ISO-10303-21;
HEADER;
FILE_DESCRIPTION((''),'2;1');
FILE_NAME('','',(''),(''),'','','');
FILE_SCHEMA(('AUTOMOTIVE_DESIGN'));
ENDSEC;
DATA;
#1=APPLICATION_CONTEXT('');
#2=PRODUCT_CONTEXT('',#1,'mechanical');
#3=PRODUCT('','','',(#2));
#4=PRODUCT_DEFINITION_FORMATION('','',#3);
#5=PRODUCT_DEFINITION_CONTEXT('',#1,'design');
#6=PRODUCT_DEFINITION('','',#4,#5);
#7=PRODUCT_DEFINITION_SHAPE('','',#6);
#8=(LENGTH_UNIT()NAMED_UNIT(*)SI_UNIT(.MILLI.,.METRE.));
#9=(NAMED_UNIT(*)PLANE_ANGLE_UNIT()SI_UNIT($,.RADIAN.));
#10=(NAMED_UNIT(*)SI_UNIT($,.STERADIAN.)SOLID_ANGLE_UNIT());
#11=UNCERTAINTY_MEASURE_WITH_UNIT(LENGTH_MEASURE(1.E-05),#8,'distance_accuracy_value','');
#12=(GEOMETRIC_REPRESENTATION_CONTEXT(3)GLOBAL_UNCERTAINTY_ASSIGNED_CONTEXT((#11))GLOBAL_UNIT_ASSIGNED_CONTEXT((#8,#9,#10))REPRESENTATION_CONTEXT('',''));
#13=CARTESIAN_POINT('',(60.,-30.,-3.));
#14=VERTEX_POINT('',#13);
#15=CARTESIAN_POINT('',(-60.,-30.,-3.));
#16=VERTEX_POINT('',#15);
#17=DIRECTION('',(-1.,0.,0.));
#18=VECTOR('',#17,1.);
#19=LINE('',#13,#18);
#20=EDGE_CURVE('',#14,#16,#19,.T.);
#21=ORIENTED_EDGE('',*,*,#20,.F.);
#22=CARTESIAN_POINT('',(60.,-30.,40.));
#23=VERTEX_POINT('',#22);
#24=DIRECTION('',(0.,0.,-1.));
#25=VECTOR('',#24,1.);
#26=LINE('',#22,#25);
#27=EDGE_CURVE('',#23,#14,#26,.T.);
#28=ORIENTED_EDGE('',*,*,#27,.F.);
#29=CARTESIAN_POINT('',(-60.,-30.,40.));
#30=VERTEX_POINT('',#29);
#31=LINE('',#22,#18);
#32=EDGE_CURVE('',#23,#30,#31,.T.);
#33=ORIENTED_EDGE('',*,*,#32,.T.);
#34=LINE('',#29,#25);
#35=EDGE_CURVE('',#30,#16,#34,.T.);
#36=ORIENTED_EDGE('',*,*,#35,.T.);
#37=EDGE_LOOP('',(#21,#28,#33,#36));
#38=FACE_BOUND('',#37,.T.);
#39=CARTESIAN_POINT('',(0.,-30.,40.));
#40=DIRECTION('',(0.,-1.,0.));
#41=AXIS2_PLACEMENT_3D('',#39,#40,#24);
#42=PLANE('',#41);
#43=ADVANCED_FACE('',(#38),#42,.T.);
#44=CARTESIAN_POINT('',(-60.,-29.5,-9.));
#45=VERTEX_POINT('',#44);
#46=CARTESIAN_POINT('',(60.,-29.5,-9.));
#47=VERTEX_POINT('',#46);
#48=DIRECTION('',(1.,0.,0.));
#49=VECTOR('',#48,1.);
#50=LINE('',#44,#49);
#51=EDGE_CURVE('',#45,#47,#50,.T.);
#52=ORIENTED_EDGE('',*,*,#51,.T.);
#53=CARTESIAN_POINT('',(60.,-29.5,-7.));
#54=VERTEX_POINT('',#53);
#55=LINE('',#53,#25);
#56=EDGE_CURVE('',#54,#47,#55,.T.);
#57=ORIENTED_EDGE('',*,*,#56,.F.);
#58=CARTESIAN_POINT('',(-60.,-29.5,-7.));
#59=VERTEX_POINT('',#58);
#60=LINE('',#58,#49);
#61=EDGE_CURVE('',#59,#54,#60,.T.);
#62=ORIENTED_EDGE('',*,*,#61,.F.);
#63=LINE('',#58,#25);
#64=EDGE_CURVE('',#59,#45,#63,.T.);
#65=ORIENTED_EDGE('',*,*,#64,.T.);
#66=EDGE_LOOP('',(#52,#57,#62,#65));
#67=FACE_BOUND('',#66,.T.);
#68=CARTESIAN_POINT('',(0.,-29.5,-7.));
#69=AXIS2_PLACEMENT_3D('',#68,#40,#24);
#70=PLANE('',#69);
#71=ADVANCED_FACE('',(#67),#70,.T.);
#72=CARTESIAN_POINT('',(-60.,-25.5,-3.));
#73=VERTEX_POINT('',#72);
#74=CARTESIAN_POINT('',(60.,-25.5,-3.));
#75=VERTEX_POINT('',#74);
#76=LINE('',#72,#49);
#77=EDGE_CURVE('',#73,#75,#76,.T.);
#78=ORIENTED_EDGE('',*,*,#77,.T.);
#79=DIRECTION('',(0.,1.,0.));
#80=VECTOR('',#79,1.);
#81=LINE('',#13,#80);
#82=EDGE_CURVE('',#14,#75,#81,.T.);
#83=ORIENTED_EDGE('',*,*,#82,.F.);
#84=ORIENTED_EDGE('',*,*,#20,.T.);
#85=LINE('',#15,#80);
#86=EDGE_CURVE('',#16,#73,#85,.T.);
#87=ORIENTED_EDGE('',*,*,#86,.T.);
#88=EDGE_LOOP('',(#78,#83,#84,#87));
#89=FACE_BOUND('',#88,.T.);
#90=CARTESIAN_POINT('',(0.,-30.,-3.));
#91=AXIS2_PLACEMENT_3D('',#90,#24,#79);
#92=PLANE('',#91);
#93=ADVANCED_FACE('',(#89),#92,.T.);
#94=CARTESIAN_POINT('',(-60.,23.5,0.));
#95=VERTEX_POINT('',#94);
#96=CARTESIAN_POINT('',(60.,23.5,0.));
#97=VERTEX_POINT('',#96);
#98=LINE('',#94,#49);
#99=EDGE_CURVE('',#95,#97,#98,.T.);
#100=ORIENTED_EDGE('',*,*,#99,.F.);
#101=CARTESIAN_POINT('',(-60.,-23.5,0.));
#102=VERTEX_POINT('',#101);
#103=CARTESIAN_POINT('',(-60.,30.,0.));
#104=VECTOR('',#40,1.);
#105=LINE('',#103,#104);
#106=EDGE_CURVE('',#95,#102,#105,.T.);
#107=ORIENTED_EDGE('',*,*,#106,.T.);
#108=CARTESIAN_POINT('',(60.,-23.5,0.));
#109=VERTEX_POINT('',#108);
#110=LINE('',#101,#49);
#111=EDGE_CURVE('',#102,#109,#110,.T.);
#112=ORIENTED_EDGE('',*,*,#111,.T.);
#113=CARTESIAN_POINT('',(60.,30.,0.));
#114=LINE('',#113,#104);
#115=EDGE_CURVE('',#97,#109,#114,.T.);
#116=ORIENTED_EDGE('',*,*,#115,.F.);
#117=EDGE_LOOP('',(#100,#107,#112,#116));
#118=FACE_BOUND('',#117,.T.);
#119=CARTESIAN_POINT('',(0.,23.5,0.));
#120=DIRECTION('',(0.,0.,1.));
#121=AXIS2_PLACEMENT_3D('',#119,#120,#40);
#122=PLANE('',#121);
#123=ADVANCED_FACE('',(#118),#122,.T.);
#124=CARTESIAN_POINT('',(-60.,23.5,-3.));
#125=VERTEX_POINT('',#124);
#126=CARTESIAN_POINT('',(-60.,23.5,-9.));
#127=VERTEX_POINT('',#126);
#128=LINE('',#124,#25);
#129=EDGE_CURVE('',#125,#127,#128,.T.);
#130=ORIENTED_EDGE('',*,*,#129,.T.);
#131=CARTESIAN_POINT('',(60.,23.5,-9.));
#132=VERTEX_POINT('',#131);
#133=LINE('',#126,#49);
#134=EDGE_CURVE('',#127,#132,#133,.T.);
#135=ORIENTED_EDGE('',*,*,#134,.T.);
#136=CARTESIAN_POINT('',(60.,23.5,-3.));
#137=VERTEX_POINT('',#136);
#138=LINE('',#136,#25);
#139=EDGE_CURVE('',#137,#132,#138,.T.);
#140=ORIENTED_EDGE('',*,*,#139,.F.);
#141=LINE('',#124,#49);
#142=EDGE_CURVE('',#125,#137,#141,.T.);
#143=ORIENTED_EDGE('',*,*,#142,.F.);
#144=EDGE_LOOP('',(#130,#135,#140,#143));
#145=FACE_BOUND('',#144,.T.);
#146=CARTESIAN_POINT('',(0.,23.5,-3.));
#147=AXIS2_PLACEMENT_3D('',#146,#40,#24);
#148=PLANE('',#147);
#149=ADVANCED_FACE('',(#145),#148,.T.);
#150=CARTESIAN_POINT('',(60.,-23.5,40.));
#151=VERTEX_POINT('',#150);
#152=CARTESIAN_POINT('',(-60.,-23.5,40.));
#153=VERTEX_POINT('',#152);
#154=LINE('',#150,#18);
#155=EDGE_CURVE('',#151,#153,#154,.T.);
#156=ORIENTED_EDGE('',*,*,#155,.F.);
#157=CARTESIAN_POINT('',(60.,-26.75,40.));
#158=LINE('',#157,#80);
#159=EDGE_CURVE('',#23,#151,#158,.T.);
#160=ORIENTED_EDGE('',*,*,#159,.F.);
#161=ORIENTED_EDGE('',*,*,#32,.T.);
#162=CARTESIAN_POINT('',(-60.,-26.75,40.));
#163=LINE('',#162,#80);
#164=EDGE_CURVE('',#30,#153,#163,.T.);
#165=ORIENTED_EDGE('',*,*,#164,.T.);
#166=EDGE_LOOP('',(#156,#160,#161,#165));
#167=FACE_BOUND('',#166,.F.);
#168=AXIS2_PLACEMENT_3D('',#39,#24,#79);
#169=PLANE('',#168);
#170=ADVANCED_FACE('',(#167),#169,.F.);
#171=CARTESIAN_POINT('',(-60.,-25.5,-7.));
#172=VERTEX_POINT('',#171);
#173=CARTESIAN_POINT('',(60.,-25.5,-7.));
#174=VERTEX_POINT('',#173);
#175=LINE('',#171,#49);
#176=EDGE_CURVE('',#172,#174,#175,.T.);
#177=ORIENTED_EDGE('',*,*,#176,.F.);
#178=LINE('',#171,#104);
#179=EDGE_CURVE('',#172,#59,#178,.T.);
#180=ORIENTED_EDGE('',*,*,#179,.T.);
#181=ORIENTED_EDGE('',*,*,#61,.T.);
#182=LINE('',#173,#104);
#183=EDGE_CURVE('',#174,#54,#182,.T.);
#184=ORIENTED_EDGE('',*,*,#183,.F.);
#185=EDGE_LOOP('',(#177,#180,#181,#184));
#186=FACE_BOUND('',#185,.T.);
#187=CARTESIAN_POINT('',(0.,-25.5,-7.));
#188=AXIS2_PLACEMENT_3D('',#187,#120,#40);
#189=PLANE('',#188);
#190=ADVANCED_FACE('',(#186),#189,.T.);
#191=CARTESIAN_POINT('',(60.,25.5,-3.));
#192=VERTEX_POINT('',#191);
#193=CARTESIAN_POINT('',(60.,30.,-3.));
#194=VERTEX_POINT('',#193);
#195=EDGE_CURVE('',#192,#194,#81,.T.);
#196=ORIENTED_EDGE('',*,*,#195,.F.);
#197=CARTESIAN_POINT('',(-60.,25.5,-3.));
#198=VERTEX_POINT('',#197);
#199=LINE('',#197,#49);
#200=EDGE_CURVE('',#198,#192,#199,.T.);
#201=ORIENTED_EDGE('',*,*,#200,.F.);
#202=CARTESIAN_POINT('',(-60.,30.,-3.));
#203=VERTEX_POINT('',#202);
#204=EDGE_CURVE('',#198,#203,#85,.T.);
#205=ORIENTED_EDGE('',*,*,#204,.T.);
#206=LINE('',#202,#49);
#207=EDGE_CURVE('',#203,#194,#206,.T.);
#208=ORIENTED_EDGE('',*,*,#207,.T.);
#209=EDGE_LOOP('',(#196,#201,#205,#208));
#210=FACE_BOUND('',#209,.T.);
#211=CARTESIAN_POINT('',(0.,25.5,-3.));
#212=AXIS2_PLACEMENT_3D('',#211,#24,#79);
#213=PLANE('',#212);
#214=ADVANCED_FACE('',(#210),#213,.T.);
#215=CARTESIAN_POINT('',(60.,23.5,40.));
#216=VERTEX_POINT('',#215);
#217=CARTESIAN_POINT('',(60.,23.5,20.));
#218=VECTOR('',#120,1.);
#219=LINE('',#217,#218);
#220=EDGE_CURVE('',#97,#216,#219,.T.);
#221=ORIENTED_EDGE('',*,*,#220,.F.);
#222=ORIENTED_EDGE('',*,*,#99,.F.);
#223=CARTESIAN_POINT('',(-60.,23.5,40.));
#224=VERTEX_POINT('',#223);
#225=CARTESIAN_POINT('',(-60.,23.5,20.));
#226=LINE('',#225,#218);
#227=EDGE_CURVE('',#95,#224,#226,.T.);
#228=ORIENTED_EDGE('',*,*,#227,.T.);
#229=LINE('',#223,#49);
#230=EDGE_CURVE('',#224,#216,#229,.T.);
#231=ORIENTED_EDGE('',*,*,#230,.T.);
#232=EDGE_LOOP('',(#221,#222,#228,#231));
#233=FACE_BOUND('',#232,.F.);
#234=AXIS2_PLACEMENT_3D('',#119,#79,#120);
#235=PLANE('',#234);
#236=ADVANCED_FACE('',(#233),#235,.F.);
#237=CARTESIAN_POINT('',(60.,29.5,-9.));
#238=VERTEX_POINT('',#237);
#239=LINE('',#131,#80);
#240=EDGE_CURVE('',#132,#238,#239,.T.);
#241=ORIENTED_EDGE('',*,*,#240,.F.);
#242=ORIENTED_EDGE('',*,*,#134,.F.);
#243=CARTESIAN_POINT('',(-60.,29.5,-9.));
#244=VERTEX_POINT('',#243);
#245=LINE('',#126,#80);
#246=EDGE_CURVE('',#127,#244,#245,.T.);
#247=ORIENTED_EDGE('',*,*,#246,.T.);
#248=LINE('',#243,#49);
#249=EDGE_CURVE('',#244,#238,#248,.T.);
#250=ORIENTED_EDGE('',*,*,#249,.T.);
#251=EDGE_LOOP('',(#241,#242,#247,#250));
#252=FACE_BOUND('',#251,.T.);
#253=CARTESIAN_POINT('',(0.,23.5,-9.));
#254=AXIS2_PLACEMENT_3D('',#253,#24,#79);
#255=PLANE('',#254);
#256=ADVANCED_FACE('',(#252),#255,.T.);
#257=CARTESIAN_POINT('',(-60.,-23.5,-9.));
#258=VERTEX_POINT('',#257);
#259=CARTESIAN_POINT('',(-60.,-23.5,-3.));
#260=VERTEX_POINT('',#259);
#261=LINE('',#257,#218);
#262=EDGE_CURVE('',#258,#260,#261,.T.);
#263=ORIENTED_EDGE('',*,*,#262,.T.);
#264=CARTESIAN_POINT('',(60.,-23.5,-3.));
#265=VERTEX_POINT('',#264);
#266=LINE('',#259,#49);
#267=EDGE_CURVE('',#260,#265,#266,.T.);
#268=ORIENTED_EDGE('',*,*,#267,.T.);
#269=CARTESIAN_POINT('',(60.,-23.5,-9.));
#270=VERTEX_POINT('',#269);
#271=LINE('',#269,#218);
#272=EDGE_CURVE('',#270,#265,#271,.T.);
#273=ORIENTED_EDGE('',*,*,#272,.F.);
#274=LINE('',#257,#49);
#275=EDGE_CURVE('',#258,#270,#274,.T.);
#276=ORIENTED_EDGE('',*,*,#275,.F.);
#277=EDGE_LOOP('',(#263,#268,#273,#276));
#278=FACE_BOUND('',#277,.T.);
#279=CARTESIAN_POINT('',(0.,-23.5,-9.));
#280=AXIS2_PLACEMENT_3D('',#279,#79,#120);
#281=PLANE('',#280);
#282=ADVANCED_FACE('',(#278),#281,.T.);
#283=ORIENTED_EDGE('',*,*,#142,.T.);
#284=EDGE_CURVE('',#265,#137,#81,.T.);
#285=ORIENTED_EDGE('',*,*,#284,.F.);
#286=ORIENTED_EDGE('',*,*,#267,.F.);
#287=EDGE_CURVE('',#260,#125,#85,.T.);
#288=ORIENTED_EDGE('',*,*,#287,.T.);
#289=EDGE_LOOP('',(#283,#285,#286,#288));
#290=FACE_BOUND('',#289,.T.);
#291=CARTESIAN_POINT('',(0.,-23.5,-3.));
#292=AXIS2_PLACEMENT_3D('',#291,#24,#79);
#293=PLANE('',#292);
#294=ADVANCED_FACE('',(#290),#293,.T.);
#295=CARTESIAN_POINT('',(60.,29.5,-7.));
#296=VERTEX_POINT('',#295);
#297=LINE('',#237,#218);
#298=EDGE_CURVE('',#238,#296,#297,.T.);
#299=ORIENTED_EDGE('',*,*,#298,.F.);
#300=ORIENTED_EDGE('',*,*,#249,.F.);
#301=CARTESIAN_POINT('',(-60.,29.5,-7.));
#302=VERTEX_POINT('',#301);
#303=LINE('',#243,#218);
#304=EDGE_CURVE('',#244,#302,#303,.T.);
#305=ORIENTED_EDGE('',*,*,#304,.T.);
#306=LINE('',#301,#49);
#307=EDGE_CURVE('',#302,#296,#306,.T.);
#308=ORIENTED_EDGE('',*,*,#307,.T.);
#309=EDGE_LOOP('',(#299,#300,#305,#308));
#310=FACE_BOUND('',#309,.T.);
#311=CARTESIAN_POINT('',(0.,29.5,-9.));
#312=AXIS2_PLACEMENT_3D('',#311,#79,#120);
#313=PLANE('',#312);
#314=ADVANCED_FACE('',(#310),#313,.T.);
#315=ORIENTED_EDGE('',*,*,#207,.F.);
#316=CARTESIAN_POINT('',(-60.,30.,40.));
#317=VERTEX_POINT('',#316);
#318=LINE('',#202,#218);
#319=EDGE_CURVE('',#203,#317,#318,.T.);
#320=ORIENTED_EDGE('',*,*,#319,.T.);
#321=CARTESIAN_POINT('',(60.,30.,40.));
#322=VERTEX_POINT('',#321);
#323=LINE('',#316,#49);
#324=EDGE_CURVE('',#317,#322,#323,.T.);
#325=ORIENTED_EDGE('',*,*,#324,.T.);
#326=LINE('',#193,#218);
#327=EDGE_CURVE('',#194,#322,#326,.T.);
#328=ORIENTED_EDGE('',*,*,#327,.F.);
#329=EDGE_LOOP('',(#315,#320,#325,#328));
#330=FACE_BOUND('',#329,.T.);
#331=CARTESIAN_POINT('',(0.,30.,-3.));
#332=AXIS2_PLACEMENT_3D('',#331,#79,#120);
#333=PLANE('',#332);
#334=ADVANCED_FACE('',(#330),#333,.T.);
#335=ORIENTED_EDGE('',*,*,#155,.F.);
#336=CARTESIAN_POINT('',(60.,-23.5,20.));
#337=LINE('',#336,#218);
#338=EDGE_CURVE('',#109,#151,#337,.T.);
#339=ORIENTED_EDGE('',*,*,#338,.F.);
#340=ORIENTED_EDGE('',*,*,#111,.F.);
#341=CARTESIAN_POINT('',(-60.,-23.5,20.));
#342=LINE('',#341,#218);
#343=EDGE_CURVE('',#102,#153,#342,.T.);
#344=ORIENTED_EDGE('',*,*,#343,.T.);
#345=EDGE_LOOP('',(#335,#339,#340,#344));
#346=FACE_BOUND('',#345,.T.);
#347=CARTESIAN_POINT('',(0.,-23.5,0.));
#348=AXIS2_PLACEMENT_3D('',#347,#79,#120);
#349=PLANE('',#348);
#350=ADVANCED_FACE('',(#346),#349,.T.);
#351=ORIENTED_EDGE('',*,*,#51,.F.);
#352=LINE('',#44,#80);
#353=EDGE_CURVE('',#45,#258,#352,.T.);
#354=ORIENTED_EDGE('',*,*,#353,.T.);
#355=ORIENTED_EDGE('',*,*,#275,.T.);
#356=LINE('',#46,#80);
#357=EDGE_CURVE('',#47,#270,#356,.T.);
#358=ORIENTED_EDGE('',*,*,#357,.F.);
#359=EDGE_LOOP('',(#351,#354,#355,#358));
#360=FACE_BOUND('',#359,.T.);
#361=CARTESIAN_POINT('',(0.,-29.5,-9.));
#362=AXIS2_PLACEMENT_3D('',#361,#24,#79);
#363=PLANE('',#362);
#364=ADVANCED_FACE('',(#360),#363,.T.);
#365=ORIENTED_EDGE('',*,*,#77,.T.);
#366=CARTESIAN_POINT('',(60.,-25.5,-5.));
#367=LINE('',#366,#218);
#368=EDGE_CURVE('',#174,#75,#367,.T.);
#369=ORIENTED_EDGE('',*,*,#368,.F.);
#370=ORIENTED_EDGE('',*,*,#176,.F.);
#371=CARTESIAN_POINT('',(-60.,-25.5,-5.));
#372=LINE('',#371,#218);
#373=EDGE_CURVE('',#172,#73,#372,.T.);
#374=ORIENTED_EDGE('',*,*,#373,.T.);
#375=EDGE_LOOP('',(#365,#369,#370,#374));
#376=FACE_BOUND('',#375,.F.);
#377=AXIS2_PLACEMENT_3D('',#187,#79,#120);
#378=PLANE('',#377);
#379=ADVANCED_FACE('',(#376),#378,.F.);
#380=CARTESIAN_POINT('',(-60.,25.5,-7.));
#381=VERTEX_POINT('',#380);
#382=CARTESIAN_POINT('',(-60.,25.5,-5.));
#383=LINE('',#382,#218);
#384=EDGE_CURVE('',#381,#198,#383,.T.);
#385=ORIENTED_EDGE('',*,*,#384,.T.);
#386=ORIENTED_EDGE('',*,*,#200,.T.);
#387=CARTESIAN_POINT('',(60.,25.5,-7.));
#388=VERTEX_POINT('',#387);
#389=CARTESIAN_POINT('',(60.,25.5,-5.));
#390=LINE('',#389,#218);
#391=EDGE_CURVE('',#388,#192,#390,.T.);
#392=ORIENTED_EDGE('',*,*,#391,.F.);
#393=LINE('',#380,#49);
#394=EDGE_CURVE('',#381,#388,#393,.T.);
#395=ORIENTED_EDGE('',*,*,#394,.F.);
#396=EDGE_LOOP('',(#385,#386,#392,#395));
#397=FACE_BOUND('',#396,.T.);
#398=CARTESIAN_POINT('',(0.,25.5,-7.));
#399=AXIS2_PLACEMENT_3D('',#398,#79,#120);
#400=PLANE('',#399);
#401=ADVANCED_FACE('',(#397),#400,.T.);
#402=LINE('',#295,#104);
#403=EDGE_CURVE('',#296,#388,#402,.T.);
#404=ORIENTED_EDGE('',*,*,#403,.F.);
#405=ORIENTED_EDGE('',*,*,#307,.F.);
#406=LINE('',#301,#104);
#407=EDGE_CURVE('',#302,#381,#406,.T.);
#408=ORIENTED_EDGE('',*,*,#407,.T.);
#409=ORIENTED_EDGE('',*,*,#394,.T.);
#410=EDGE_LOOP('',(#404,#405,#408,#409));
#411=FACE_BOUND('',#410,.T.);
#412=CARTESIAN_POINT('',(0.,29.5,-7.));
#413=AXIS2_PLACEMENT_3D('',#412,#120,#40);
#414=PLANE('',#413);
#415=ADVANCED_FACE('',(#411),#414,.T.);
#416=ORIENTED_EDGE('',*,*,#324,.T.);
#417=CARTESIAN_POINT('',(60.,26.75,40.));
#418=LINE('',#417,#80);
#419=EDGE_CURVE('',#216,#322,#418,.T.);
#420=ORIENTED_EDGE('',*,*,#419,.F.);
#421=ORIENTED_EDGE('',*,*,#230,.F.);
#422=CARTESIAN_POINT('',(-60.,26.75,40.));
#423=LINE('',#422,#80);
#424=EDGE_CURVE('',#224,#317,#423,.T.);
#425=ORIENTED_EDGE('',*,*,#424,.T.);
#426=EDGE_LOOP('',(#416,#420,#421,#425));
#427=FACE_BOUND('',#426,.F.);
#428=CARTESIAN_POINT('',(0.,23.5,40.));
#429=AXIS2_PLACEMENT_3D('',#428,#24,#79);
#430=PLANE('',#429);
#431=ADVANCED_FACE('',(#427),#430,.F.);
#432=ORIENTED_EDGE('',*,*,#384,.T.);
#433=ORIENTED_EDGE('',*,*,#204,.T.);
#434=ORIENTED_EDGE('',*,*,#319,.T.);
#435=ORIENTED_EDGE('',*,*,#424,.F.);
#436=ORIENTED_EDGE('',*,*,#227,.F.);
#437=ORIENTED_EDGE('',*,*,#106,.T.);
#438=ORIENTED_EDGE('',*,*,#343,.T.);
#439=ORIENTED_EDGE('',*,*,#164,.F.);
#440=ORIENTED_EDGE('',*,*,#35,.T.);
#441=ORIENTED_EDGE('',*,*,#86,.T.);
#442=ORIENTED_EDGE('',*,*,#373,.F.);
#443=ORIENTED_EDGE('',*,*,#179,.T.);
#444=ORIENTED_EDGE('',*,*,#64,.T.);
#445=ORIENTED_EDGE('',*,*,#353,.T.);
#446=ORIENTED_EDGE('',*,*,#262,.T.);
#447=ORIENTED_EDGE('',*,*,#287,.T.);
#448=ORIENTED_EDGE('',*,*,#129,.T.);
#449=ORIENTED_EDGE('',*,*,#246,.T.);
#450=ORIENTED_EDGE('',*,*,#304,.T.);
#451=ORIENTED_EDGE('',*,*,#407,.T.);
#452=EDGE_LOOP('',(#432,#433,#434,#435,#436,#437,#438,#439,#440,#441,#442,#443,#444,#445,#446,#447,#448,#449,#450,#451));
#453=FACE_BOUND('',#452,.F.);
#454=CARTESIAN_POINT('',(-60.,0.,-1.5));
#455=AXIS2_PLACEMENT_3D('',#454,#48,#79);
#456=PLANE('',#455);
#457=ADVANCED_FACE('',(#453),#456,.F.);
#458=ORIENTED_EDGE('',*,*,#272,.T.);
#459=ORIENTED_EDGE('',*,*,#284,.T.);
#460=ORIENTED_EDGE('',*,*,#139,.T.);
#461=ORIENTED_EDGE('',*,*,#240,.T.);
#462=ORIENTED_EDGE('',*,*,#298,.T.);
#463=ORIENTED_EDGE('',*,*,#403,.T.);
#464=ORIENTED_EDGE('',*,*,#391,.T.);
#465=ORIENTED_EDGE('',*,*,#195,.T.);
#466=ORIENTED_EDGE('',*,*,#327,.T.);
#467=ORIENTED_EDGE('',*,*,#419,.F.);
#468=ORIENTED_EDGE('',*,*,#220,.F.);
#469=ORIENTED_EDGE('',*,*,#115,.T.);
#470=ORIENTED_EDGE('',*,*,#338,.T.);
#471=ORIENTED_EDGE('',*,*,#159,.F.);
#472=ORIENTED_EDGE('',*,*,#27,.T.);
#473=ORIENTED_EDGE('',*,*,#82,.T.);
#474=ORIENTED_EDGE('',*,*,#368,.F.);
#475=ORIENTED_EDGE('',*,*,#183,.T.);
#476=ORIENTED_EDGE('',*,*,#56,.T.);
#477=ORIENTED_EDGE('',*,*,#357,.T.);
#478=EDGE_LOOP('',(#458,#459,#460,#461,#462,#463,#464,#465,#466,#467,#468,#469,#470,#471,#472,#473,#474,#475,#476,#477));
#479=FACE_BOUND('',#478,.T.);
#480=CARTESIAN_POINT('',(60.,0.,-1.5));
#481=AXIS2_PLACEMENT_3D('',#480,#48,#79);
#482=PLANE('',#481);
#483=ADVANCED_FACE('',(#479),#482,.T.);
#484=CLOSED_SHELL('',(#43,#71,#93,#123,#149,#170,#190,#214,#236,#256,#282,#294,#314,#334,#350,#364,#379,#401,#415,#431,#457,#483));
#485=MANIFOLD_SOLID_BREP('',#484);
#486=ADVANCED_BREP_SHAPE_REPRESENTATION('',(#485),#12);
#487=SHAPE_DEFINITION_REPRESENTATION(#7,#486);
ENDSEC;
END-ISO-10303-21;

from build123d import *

# Parameters (mm, degrees)
F0_W          = 2
F0_H          = 4
F0_W_2        = 6.5
F0_H_2        = 40
F1_DEPTH      = 60
F1_DEPTH_BACK = 60


with BuildPart() as f1:
    # F0 (on Right) → F1 (new body, two sides)
    with BuildSketch(Plane.YZ) as f1_sk:
        Polygon((-30, 0), (-30, -3), (-25.5, -3), (-23.5, -3), (23.5, -3), (25.5, -3), (30, -3), (30, 0), (23.5, 0), (-23.5, 0), align=None)
        with Locations((-24.5, -5)):
            Rectangle(F0_W, F0_H)
        with Locations((-26.75, 20)):
            Rectangle(F0_W_2, F0_H_2)
        Polygon((-23.5, -7), (-25.5, -7), (-29.5, -7), (-29.5, -9), (-23.5, -9), align=None)
        with Locations((24.5, -5)):
            Rectangle(F0_W, F0_H)
        with Locations((26.75, 20)):
            Rectangle(F0_W_2, F0_H_2)
        Polygon((25.5, -7), (23.5, -7), (23.5, -9), (29.5, -9), (29.5, -7), align=None)
    extrude(amount=F1_DEPTH)
    extrude(f1_sk.sketch, amount=-F1_DEPTH_BACK)


solid = f1.part
